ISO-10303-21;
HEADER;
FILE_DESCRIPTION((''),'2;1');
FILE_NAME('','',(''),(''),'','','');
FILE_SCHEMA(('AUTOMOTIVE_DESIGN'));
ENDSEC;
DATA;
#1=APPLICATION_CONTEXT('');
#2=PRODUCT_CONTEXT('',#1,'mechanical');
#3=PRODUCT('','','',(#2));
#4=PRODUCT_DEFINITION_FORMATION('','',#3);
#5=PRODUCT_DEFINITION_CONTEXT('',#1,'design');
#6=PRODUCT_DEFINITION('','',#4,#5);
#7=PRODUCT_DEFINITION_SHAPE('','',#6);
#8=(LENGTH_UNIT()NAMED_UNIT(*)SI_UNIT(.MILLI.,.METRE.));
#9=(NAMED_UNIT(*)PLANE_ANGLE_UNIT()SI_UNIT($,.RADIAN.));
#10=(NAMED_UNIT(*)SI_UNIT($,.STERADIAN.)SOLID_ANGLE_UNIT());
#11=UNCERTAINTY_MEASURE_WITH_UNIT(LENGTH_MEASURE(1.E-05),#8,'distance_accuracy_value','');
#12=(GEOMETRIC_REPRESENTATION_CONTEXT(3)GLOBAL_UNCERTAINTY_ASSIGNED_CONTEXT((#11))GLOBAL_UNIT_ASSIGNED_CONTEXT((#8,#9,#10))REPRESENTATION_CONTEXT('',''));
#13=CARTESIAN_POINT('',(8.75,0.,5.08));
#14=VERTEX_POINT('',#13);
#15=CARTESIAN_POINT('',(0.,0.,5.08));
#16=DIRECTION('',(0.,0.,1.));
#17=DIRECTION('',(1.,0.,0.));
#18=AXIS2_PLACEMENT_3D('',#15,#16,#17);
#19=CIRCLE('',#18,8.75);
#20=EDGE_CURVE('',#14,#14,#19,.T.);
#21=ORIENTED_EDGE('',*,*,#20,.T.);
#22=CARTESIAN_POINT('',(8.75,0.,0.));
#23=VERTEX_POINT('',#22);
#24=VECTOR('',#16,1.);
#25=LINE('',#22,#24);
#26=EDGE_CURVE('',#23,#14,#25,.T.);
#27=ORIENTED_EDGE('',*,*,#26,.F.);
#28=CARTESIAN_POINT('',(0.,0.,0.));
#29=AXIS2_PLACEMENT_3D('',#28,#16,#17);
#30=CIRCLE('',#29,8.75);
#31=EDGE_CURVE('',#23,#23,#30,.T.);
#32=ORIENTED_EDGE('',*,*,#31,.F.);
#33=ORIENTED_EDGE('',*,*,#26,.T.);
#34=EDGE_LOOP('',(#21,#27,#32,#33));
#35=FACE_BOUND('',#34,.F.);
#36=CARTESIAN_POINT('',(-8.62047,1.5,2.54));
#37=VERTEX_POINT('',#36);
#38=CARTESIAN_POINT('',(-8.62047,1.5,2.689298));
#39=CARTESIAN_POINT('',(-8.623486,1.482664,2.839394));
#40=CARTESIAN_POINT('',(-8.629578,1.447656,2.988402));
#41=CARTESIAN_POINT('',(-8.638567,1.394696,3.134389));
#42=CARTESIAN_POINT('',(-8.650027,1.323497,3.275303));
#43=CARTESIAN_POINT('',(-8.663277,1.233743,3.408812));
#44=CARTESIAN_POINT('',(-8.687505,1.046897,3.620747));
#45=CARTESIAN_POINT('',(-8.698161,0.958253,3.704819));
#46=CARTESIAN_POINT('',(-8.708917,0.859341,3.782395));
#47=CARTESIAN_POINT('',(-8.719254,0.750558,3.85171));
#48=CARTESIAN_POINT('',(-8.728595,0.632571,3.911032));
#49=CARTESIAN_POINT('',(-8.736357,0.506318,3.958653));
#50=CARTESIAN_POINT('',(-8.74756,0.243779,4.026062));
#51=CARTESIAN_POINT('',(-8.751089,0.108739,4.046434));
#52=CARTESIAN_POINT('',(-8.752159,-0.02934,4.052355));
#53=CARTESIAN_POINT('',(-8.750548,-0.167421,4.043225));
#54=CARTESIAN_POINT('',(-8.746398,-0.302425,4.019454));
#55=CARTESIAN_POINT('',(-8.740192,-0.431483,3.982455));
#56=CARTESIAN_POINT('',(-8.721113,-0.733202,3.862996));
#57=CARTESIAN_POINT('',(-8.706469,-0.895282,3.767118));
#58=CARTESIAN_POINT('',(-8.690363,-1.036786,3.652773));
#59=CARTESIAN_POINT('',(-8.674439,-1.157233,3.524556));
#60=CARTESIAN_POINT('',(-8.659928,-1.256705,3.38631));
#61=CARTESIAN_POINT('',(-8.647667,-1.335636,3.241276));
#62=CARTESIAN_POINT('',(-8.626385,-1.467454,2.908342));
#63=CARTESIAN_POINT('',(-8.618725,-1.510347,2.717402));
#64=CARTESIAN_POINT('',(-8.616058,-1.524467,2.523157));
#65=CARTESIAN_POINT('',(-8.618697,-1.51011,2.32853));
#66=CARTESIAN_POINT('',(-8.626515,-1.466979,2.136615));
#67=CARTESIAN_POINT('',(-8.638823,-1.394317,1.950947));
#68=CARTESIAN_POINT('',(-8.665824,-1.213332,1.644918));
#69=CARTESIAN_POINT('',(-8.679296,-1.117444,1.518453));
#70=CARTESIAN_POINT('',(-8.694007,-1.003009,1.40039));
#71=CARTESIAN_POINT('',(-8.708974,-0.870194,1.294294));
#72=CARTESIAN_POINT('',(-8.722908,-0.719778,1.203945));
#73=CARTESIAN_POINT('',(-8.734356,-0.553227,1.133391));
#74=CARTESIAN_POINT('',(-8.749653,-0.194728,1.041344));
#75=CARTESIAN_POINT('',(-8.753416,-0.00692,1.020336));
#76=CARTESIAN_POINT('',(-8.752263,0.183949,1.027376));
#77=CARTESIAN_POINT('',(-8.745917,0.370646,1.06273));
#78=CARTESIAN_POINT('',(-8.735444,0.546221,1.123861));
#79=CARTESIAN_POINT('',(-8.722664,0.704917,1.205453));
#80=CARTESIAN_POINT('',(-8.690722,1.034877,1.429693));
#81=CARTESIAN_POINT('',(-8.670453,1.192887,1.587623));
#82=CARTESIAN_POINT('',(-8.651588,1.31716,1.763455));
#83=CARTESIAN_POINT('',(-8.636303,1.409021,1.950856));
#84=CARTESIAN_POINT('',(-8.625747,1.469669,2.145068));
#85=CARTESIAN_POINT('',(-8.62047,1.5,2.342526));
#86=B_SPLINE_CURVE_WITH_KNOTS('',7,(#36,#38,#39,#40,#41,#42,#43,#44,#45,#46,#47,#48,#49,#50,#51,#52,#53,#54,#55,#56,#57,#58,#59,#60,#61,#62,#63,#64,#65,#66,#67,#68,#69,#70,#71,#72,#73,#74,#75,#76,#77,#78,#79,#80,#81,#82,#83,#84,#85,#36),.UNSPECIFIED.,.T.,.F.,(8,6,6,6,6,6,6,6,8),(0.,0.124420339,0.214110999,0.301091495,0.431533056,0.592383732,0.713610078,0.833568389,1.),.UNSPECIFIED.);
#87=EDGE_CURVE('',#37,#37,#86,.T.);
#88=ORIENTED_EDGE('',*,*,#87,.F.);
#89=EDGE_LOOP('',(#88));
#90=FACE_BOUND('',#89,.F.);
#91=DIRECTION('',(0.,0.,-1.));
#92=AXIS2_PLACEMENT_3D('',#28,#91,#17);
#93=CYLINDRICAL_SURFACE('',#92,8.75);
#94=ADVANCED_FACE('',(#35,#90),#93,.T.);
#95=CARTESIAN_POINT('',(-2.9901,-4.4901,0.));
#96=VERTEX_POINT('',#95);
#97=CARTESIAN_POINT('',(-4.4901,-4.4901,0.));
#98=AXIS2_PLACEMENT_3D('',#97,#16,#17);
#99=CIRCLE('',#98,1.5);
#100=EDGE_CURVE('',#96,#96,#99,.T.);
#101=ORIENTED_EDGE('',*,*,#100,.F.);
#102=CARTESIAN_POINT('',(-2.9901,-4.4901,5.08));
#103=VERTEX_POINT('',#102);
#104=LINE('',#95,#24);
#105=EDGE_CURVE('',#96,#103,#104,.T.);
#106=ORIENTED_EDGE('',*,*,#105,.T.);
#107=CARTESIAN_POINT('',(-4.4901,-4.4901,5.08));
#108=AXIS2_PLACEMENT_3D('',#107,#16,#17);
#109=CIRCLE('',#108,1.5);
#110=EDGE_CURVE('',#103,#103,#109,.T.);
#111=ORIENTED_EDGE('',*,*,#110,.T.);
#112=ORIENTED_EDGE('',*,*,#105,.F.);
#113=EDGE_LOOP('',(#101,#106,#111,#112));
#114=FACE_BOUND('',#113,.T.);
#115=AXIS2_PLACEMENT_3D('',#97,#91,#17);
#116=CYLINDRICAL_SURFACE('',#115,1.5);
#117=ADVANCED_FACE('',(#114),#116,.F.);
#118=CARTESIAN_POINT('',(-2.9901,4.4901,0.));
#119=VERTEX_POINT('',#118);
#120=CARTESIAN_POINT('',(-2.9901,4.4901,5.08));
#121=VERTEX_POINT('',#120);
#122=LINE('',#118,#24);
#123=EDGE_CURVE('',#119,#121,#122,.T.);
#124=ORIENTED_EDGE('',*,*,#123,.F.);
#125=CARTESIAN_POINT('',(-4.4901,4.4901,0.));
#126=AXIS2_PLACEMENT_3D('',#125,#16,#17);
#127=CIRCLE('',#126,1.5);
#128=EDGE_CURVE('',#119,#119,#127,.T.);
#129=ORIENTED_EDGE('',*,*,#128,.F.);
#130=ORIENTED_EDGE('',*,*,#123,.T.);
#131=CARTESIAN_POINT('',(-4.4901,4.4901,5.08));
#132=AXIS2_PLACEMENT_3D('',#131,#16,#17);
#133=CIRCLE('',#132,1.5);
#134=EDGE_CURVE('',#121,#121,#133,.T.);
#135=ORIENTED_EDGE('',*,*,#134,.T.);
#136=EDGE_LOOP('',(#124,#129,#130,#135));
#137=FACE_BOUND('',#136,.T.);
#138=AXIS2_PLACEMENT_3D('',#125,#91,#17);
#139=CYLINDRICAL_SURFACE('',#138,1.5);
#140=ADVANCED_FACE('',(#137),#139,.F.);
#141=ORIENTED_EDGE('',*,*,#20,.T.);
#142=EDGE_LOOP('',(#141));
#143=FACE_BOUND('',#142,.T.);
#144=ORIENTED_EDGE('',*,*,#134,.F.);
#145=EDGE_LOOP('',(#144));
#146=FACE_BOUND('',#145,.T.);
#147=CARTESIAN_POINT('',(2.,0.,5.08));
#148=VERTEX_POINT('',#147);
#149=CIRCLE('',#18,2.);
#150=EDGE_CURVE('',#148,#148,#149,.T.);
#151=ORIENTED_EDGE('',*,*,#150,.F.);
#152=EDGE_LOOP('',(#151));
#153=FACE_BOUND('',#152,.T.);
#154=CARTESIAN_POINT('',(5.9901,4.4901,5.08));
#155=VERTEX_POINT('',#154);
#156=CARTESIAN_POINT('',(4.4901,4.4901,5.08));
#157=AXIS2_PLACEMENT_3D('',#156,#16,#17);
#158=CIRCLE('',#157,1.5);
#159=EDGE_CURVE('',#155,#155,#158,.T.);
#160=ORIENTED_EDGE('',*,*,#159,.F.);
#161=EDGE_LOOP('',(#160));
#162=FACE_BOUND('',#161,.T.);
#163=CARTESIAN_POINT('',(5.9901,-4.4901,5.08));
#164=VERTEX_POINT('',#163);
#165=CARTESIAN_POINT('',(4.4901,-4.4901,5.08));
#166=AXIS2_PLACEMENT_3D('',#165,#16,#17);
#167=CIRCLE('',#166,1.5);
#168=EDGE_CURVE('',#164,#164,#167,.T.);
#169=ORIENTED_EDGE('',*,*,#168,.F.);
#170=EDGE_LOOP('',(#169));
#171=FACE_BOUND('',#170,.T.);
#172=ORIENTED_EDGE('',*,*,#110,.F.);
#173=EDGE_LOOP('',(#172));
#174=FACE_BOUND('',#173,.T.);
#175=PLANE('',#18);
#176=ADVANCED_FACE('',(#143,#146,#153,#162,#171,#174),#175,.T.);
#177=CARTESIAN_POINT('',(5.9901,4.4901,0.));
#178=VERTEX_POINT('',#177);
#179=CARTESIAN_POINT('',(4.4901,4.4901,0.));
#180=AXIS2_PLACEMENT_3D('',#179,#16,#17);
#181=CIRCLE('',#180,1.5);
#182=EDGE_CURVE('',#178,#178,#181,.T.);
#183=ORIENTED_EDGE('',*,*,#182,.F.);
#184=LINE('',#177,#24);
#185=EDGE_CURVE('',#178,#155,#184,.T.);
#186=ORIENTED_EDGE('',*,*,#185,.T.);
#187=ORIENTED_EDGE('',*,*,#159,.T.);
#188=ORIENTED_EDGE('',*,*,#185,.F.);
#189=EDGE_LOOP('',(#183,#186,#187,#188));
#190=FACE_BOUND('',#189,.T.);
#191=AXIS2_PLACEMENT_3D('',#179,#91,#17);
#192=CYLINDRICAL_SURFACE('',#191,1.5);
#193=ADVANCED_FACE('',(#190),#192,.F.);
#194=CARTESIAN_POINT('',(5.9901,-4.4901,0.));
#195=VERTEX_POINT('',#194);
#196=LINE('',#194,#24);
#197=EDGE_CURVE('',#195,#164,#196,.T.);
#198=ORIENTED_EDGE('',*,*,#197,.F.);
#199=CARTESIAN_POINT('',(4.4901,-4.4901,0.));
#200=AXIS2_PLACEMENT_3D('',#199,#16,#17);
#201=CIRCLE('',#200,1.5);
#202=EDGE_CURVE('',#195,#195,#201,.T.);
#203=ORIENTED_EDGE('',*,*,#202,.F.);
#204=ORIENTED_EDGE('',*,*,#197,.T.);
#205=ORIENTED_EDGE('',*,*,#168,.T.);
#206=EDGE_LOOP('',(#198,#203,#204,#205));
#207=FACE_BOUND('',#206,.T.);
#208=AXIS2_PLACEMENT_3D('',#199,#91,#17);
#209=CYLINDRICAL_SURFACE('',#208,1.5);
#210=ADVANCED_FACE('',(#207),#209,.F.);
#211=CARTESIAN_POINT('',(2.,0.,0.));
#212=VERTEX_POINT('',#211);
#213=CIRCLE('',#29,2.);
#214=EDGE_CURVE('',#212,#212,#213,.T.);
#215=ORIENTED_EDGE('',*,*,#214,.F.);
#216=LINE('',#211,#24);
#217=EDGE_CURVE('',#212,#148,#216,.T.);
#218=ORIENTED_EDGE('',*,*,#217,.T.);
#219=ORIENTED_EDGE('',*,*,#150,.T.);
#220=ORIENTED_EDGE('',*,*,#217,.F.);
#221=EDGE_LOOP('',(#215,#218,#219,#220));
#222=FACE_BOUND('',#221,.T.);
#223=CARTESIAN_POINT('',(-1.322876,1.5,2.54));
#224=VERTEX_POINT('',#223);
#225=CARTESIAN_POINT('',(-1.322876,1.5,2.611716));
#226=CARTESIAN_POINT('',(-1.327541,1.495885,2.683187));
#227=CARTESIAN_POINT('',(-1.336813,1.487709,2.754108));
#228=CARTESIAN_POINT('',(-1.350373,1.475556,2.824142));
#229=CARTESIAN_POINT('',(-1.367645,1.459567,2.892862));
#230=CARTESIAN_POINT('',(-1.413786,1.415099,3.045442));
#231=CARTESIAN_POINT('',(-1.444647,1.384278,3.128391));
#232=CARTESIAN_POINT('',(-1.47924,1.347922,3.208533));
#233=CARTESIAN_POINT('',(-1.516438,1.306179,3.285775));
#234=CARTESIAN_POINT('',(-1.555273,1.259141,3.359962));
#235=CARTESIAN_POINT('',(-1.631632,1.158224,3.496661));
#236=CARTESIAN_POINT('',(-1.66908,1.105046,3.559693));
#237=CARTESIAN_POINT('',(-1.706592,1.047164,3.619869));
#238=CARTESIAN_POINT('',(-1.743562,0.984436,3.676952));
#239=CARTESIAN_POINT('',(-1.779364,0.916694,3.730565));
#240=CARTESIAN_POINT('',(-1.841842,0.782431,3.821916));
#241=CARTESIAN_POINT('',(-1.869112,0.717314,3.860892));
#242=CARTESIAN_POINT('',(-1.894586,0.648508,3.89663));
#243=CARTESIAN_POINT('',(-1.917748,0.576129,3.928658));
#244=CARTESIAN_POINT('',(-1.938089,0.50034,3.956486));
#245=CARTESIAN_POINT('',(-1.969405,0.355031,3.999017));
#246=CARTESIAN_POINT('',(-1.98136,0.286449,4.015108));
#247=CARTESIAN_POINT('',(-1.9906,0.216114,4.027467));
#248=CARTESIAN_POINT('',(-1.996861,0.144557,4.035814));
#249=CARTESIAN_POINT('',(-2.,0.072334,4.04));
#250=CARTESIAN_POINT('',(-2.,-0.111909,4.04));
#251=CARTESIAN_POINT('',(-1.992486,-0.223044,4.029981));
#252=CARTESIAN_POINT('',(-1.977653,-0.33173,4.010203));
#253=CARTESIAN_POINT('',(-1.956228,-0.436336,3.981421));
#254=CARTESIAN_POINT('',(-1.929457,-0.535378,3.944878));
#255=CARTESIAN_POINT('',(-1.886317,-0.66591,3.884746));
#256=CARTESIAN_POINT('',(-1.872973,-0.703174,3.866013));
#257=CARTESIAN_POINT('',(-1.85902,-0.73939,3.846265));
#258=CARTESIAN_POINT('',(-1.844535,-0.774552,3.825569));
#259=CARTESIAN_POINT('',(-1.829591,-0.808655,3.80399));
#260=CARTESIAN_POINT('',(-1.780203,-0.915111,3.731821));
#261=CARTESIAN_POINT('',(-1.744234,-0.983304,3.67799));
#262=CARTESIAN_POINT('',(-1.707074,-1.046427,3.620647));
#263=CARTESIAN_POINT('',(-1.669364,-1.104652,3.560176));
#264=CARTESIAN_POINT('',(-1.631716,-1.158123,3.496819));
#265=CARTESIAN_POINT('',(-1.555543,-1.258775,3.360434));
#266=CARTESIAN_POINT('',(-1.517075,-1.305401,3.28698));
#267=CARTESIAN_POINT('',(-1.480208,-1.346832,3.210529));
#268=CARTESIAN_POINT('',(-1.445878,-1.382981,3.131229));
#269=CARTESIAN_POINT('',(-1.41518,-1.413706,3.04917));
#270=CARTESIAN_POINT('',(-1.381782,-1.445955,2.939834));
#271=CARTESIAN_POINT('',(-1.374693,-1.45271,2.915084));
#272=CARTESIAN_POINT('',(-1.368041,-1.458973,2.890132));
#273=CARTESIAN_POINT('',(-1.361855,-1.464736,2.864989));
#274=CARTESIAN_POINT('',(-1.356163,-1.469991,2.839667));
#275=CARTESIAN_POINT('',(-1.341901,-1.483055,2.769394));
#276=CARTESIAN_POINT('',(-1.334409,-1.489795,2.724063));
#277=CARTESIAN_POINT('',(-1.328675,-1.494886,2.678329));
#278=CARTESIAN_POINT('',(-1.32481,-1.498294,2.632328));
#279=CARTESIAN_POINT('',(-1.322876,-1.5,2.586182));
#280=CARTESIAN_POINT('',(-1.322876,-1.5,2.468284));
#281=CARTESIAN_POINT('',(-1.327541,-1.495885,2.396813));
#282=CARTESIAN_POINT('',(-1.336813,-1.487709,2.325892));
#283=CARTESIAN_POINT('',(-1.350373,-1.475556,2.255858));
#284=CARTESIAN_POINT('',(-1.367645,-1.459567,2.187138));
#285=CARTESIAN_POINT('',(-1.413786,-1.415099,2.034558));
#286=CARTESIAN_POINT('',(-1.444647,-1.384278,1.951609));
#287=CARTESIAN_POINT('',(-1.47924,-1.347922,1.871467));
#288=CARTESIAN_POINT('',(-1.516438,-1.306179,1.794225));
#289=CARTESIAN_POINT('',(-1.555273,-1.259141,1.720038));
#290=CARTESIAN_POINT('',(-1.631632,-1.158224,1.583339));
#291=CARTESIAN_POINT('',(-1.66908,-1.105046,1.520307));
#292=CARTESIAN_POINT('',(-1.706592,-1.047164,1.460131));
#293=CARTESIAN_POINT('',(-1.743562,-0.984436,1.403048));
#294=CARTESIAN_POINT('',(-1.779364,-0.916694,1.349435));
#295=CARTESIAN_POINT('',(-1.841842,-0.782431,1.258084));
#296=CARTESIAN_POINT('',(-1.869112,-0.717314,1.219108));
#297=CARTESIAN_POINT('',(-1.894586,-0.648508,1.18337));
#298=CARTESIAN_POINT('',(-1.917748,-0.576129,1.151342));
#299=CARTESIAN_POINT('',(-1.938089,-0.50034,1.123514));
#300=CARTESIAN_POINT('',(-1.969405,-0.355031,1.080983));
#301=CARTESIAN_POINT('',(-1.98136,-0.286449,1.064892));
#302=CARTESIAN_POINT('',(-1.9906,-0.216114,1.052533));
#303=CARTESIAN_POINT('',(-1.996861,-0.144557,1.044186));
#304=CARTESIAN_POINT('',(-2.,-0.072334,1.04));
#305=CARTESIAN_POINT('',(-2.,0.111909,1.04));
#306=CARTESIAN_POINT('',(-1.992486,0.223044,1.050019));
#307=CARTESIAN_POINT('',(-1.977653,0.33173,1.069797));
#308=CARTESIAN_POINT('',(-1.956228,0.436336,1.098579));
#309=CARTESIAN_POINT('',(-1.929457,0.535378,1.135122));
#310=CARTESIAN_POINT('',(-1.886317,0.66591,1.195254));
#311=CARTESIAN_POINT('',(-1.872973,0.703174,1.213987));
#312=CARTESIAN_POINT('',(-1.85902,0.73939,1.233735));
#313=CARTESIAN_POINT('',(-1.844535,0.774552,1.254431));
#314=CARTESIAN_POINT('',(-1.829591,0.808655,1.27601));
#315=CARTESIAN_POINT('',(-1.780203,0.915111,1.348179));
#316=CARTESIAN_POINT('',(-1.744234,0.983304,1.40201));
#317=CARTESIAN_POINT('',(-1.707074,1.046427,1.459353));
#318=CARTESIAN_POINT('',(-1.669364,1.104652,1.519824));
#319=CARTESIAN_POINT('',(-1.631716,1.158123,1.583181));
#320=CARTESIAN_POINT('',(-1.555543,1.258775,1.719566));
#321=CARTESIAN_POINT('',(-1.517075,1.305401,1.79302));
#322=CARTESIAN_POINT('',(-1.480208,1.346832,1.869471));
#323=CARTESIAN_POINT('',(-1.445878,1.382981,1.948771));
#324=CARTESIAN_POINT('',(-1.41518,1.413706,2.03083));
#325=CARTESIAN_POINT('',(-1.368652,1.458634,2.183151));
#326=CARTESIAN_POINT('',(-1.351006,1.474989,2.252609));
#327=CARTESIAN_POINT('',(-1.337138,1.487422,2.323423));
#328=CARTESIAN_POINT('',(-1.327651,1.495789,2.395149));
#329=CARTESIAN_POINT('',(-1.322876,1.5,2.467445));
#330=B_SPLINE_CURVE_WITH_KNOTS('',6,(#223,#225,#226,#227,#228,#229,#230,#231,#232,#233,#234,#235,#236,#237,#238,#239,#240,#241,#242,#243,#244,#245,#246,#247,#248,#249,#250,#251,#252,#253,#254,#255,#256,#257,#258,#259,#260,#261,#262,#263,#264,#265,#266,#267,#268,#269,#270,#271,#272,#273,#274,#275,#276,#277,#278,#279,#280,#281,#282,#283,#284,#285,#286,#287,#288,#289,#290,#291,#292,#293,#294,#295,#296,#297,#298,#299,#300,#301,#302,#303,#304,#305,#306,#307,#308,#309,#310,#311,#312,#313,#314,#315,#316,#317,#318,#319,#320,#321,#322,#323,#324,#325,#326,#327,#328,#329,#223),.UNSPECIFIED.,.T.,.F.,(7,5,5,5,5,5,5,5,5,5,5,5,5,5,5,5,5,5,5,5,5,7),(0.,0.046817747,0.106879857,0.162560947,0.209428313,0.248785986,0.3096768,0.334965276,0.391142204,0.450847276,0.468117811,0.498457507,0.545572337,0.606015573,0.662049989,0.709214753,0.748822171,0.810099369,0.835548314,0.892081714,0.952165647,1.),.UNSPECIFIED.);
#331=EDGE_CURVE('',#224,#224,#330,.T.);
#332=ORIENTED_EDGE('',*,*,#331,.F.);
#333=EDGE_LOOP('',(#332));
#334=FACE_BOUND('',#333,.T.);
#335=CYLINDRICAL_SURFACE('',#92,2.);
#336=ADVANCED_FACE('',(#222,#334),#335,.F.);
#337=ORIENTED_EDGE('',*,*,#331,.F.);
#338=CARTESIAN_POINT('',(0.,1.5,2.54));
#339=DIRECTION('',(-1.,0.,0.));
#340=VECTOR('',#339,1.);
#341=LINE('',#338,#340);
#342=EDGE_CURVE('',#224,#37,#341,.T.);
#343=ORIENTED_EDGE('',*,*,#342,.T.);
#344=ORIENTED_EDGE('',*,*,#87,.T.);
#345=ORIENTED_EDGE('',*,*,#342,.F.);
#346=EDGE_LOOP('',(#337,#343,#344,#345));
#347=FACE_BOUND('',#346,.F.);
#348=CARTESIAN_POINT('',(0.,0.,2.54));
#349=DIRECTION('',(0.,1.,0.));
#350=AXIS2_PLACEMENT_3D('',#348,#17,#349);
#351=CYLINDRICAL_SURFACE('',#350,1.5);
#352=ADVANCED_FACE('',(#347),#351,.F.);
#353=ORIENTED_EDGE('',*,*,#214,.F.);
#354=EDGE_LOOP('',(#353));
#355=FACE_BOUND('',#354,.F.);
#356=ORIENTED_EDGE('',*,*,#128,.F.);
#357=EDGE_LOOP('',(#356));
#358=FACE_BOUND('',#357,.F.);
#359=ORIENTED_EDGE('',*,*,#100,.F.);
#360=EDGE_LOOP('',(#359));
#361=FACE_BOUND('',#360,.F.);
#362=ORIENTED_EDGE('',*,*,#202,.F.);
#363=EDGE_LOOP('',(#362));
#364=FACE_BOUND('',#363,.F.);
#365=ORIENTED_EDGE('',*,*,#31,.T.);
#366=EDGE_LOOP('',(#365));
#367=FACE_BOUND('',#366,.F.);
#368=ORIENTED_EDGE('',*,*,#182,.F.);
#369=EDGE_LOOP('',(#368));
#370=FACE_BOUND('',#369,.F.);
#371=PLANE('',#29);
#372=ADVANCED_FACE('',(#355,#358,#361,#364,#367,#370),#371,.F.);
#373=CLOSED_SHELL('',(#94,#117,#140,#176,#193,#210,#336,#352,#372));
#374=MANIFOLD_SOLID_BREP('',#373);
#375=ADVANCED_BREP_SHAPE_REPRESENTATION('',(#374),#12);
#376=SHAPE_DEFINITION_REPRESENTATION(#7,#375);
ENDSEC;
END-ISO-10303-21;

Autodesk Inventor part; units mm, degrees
ref_plane "YZ Plane" through (0, 0, 0) normal (1, 0, 0) x (0, 1, 0)
ref_plane "XZ Plane" through (0, 0, 0) normal (0, 1, 0) x (-1, 0, 0)
ref_plane "XY Plane" through (0, 0, 0) normal (0, 0, 1) x (1, 0, 0)
sketch "Skizze1" plane through (0, 0, 0) normal (0, 0, 1) x (1, 0, 0)
  circle A0 centre (0, 0) radius 2
  circle A1 centre (0, 0) radius 8.75
  line L0 (-12.25, 0) -> (12.25, 0) construction
  circle A2 centre (4.4901, 4.4901) radius 1.5
  circle A3 centre (-4.4901, 4.4901) radius 1.5
  circle A4 centre (-4.4901, -4.4901) radius 1.5
  circle A5 centre (4.4901, -4.4901) radius 1.5
  circle A6 centre (0, 0) radius 4
  line L1 (0, 0) -> (4.566, 4.566) construction
  dimension "d0" = 4
  dimension "d1" = 17.5
  dimension "d2" = 3
  dimension "d3" = 6.35
  dimension "d6" = 360
  dimension "d16" = 45
  dimension "d19" = 8
extrude "Extrusion1" add sketch "Skizze1" along normal blind 5.08 contours A1 | A6
sketch "Skizze2" plane through (0, 0, 0) normal (1, 0, 0) x (0, 1, 0)
  line L0 (0, 6.096) -> (0, -1.016) construction
  line L1 (-13.3, 0) -> (13.3, 0) construction
  circle A0 centre (0, 2.54) radius 1.5
  line L2 (8.75, 5.08) -> (-8.75, 5.08) construction
  line L3 (0, 5.08) -> (0, 0) construction
  dimension "d13" = 3
extrude "Extrusion3" cut sketch "Skizze2" against normal up to surface
thread "Gewinde1" size "M3x0.5" class "6H" standard "ANSI Metric M Profile" full length
thread "Gewinde2" size "M3x0.5" class "6H" standard "ANSI Metric M Profile" full length
thread "Gewinde3" size "M3x0.5" class "6H" standard "ANSI Metric M Profile" full length
thread "Gewinde4" size "M3x0.5" class "6H" standard "ANSI Metric M Profile" full length
thread "Gewinde5" size "M3x0.5" class "6H" standard "ANSI Metric M Profile" full length
properties part number "Mounting Hub 3mm"
